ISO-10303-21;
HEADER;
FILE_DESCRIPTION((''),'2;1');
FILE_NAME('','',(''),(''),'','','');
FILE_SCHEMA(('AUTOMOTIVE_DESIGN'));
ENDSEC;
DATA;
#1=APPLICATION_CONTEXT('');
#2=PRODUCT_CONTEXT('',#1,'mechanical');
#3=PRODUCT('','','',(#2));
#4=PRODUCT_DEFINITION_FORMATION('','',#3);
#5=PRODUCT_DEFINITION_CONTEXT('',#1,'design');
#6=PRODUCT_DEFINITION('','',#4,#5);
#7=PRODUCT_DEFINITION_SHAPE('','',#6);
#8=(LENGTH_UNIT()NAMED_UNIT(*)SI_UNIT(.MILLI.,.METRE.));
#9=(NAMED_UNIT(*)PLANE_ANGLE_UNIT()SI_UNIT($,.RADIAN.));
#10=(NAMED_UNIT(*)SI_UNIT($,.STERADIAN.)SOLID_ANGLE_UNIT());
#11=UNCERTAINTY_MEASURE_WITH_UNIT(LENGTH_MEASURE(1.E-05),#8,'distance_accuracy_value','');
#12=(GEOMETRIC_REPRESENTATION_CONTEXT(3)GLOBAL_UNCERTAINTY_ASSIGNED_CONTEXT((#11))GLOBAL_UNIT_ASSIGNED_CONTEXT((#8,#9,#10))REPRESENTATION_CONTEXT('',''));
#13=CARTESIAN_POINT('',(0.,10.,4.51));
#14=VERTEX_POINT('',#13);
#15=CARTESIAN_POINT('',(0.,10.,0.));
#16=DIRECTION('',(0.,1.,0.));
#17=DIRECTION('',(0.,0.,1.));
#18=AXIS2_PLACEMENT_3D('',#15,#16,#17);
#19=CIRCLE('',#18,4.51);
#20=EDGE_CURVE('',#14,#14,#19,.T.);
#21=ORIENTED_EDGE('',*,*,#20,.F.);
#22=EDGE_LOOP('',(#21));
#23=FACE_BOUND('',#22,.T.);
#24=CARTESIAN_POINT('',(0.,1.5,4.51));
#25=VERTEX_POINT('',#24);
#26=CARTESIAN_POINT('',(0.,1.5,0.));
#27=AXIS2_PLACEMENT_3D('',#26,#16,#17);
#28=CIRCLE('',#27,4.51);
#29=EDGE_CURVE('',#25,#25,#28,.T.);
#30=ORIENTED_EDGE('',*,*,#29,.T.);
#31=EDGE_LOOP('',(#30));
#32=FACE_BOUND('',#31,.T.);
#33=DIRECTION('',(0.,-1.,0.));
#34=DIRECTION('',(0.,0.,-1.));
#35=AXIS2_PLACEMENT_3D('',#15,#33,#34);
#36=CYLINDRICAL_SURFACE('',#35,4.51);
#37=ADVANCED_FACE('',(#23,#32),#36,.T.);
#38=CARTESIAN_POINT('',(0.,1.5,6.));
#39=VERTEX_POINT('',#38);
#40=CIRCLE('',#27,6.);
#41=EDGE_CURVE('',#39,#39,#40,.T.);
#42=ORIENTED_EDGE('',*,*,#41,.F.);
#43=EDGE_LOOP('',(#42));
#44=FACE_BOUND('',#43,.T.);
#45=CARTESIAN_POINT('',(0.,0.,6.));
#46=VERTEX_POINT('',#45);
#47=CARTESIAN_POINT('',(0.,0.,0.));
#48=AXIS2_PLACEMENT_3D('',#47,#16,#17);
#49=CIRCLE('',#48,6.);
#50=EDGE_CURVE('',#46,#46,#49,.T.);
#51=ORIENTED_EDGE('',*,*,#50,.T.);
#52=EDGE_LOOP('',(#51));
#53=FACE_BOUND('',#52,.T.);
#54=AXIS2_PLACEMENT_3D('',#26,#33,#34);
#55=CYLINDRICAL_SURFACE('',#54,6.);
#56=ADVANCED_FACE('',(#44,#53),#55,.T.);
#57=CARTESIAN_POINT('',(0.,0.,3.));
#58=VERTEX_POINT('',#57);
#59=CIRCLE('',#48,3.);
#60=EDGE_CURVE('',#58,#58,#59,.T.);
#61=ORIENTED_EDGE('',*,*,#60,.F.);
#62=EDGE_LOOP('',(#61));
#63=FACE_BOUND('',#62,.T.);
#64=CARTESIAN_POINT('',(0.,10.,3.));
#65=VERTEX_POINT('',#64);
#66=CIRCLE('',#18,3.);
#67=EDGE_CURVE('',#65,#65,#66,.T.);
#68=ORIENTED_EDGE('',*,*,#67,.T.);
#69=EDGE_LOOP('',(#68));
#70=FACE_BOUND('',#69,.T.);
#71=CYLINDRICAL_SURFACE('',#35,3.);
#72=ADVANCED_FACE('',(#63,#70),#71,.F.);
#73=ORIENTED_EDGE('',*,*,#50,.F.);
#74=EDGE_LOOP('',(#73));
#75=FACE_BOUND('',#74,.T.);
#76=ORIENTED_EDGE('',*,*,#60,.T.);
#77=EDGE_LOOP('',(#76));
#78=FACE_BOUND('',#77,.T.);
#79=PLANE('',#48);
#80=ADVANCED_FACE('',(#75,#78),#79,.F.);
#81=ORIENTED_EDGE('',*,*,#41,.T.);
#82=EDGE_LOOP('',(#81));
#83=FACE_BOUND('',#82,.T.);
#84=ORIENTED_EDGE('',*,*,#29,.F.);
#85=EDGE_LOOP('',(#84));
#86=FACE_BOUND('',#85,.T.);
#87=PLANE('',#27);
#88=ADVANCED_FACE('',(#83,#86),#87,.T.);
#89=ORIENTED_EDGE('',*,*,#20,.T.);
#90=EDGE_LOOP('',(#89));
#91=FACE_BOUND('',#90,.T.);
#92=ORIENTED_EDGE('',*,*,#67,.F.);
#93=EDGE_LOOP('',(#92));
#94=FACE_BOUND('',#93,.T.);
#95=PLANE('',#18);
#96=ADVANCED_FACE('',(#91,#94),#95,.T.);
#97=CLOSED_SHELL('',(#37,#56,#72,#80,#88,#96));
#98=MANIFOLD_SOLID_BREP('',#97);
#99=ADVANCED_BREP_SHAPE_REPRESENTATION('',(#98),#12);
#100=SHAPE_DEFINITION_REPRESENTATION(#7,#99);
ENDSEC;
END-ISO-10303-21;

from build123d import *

# Parameters (mm, degrees)
SKETCH2_R           = 4.51
SKETCH2_R_2         = 3
BOSS_EXTRUDE1_DEPTH = 10
SKETCH3_R           = 6
SKETCH3_R_2         = 4.51
BOSS_EXTRUDE2_DEPTH = 1.5


with BuildPart() as part:
    # Sketch2 → Boss-Extrude1 (new body)
    with BuildSketch(Plane(origin=(0, 0, 0), x_dir=(1, 0, 0), z_dir=(0, 1, 0))):
        Circle(SKETCH2_R)
        Circle(SKETCH2_R_2, mode=Mode.SUBTRACT)
    extrude(amount=BOSS_EXTRUDE1_DEPTH)

    # Sketch3 → Boss-Extrude2 (add)
    with BuildSketch(Plane(origin=(0, 0, 0), x_dir=(1, 0, 0), z_dir=(0, 1, 0))):
        Circle(SKETCH3_R)
        Circle(SKETCH3_R_2, mode=Mode.SUBTRACT)
    extrude(amount=BOSS_EXTRUDE2_DEPTH)


solid = part.part
